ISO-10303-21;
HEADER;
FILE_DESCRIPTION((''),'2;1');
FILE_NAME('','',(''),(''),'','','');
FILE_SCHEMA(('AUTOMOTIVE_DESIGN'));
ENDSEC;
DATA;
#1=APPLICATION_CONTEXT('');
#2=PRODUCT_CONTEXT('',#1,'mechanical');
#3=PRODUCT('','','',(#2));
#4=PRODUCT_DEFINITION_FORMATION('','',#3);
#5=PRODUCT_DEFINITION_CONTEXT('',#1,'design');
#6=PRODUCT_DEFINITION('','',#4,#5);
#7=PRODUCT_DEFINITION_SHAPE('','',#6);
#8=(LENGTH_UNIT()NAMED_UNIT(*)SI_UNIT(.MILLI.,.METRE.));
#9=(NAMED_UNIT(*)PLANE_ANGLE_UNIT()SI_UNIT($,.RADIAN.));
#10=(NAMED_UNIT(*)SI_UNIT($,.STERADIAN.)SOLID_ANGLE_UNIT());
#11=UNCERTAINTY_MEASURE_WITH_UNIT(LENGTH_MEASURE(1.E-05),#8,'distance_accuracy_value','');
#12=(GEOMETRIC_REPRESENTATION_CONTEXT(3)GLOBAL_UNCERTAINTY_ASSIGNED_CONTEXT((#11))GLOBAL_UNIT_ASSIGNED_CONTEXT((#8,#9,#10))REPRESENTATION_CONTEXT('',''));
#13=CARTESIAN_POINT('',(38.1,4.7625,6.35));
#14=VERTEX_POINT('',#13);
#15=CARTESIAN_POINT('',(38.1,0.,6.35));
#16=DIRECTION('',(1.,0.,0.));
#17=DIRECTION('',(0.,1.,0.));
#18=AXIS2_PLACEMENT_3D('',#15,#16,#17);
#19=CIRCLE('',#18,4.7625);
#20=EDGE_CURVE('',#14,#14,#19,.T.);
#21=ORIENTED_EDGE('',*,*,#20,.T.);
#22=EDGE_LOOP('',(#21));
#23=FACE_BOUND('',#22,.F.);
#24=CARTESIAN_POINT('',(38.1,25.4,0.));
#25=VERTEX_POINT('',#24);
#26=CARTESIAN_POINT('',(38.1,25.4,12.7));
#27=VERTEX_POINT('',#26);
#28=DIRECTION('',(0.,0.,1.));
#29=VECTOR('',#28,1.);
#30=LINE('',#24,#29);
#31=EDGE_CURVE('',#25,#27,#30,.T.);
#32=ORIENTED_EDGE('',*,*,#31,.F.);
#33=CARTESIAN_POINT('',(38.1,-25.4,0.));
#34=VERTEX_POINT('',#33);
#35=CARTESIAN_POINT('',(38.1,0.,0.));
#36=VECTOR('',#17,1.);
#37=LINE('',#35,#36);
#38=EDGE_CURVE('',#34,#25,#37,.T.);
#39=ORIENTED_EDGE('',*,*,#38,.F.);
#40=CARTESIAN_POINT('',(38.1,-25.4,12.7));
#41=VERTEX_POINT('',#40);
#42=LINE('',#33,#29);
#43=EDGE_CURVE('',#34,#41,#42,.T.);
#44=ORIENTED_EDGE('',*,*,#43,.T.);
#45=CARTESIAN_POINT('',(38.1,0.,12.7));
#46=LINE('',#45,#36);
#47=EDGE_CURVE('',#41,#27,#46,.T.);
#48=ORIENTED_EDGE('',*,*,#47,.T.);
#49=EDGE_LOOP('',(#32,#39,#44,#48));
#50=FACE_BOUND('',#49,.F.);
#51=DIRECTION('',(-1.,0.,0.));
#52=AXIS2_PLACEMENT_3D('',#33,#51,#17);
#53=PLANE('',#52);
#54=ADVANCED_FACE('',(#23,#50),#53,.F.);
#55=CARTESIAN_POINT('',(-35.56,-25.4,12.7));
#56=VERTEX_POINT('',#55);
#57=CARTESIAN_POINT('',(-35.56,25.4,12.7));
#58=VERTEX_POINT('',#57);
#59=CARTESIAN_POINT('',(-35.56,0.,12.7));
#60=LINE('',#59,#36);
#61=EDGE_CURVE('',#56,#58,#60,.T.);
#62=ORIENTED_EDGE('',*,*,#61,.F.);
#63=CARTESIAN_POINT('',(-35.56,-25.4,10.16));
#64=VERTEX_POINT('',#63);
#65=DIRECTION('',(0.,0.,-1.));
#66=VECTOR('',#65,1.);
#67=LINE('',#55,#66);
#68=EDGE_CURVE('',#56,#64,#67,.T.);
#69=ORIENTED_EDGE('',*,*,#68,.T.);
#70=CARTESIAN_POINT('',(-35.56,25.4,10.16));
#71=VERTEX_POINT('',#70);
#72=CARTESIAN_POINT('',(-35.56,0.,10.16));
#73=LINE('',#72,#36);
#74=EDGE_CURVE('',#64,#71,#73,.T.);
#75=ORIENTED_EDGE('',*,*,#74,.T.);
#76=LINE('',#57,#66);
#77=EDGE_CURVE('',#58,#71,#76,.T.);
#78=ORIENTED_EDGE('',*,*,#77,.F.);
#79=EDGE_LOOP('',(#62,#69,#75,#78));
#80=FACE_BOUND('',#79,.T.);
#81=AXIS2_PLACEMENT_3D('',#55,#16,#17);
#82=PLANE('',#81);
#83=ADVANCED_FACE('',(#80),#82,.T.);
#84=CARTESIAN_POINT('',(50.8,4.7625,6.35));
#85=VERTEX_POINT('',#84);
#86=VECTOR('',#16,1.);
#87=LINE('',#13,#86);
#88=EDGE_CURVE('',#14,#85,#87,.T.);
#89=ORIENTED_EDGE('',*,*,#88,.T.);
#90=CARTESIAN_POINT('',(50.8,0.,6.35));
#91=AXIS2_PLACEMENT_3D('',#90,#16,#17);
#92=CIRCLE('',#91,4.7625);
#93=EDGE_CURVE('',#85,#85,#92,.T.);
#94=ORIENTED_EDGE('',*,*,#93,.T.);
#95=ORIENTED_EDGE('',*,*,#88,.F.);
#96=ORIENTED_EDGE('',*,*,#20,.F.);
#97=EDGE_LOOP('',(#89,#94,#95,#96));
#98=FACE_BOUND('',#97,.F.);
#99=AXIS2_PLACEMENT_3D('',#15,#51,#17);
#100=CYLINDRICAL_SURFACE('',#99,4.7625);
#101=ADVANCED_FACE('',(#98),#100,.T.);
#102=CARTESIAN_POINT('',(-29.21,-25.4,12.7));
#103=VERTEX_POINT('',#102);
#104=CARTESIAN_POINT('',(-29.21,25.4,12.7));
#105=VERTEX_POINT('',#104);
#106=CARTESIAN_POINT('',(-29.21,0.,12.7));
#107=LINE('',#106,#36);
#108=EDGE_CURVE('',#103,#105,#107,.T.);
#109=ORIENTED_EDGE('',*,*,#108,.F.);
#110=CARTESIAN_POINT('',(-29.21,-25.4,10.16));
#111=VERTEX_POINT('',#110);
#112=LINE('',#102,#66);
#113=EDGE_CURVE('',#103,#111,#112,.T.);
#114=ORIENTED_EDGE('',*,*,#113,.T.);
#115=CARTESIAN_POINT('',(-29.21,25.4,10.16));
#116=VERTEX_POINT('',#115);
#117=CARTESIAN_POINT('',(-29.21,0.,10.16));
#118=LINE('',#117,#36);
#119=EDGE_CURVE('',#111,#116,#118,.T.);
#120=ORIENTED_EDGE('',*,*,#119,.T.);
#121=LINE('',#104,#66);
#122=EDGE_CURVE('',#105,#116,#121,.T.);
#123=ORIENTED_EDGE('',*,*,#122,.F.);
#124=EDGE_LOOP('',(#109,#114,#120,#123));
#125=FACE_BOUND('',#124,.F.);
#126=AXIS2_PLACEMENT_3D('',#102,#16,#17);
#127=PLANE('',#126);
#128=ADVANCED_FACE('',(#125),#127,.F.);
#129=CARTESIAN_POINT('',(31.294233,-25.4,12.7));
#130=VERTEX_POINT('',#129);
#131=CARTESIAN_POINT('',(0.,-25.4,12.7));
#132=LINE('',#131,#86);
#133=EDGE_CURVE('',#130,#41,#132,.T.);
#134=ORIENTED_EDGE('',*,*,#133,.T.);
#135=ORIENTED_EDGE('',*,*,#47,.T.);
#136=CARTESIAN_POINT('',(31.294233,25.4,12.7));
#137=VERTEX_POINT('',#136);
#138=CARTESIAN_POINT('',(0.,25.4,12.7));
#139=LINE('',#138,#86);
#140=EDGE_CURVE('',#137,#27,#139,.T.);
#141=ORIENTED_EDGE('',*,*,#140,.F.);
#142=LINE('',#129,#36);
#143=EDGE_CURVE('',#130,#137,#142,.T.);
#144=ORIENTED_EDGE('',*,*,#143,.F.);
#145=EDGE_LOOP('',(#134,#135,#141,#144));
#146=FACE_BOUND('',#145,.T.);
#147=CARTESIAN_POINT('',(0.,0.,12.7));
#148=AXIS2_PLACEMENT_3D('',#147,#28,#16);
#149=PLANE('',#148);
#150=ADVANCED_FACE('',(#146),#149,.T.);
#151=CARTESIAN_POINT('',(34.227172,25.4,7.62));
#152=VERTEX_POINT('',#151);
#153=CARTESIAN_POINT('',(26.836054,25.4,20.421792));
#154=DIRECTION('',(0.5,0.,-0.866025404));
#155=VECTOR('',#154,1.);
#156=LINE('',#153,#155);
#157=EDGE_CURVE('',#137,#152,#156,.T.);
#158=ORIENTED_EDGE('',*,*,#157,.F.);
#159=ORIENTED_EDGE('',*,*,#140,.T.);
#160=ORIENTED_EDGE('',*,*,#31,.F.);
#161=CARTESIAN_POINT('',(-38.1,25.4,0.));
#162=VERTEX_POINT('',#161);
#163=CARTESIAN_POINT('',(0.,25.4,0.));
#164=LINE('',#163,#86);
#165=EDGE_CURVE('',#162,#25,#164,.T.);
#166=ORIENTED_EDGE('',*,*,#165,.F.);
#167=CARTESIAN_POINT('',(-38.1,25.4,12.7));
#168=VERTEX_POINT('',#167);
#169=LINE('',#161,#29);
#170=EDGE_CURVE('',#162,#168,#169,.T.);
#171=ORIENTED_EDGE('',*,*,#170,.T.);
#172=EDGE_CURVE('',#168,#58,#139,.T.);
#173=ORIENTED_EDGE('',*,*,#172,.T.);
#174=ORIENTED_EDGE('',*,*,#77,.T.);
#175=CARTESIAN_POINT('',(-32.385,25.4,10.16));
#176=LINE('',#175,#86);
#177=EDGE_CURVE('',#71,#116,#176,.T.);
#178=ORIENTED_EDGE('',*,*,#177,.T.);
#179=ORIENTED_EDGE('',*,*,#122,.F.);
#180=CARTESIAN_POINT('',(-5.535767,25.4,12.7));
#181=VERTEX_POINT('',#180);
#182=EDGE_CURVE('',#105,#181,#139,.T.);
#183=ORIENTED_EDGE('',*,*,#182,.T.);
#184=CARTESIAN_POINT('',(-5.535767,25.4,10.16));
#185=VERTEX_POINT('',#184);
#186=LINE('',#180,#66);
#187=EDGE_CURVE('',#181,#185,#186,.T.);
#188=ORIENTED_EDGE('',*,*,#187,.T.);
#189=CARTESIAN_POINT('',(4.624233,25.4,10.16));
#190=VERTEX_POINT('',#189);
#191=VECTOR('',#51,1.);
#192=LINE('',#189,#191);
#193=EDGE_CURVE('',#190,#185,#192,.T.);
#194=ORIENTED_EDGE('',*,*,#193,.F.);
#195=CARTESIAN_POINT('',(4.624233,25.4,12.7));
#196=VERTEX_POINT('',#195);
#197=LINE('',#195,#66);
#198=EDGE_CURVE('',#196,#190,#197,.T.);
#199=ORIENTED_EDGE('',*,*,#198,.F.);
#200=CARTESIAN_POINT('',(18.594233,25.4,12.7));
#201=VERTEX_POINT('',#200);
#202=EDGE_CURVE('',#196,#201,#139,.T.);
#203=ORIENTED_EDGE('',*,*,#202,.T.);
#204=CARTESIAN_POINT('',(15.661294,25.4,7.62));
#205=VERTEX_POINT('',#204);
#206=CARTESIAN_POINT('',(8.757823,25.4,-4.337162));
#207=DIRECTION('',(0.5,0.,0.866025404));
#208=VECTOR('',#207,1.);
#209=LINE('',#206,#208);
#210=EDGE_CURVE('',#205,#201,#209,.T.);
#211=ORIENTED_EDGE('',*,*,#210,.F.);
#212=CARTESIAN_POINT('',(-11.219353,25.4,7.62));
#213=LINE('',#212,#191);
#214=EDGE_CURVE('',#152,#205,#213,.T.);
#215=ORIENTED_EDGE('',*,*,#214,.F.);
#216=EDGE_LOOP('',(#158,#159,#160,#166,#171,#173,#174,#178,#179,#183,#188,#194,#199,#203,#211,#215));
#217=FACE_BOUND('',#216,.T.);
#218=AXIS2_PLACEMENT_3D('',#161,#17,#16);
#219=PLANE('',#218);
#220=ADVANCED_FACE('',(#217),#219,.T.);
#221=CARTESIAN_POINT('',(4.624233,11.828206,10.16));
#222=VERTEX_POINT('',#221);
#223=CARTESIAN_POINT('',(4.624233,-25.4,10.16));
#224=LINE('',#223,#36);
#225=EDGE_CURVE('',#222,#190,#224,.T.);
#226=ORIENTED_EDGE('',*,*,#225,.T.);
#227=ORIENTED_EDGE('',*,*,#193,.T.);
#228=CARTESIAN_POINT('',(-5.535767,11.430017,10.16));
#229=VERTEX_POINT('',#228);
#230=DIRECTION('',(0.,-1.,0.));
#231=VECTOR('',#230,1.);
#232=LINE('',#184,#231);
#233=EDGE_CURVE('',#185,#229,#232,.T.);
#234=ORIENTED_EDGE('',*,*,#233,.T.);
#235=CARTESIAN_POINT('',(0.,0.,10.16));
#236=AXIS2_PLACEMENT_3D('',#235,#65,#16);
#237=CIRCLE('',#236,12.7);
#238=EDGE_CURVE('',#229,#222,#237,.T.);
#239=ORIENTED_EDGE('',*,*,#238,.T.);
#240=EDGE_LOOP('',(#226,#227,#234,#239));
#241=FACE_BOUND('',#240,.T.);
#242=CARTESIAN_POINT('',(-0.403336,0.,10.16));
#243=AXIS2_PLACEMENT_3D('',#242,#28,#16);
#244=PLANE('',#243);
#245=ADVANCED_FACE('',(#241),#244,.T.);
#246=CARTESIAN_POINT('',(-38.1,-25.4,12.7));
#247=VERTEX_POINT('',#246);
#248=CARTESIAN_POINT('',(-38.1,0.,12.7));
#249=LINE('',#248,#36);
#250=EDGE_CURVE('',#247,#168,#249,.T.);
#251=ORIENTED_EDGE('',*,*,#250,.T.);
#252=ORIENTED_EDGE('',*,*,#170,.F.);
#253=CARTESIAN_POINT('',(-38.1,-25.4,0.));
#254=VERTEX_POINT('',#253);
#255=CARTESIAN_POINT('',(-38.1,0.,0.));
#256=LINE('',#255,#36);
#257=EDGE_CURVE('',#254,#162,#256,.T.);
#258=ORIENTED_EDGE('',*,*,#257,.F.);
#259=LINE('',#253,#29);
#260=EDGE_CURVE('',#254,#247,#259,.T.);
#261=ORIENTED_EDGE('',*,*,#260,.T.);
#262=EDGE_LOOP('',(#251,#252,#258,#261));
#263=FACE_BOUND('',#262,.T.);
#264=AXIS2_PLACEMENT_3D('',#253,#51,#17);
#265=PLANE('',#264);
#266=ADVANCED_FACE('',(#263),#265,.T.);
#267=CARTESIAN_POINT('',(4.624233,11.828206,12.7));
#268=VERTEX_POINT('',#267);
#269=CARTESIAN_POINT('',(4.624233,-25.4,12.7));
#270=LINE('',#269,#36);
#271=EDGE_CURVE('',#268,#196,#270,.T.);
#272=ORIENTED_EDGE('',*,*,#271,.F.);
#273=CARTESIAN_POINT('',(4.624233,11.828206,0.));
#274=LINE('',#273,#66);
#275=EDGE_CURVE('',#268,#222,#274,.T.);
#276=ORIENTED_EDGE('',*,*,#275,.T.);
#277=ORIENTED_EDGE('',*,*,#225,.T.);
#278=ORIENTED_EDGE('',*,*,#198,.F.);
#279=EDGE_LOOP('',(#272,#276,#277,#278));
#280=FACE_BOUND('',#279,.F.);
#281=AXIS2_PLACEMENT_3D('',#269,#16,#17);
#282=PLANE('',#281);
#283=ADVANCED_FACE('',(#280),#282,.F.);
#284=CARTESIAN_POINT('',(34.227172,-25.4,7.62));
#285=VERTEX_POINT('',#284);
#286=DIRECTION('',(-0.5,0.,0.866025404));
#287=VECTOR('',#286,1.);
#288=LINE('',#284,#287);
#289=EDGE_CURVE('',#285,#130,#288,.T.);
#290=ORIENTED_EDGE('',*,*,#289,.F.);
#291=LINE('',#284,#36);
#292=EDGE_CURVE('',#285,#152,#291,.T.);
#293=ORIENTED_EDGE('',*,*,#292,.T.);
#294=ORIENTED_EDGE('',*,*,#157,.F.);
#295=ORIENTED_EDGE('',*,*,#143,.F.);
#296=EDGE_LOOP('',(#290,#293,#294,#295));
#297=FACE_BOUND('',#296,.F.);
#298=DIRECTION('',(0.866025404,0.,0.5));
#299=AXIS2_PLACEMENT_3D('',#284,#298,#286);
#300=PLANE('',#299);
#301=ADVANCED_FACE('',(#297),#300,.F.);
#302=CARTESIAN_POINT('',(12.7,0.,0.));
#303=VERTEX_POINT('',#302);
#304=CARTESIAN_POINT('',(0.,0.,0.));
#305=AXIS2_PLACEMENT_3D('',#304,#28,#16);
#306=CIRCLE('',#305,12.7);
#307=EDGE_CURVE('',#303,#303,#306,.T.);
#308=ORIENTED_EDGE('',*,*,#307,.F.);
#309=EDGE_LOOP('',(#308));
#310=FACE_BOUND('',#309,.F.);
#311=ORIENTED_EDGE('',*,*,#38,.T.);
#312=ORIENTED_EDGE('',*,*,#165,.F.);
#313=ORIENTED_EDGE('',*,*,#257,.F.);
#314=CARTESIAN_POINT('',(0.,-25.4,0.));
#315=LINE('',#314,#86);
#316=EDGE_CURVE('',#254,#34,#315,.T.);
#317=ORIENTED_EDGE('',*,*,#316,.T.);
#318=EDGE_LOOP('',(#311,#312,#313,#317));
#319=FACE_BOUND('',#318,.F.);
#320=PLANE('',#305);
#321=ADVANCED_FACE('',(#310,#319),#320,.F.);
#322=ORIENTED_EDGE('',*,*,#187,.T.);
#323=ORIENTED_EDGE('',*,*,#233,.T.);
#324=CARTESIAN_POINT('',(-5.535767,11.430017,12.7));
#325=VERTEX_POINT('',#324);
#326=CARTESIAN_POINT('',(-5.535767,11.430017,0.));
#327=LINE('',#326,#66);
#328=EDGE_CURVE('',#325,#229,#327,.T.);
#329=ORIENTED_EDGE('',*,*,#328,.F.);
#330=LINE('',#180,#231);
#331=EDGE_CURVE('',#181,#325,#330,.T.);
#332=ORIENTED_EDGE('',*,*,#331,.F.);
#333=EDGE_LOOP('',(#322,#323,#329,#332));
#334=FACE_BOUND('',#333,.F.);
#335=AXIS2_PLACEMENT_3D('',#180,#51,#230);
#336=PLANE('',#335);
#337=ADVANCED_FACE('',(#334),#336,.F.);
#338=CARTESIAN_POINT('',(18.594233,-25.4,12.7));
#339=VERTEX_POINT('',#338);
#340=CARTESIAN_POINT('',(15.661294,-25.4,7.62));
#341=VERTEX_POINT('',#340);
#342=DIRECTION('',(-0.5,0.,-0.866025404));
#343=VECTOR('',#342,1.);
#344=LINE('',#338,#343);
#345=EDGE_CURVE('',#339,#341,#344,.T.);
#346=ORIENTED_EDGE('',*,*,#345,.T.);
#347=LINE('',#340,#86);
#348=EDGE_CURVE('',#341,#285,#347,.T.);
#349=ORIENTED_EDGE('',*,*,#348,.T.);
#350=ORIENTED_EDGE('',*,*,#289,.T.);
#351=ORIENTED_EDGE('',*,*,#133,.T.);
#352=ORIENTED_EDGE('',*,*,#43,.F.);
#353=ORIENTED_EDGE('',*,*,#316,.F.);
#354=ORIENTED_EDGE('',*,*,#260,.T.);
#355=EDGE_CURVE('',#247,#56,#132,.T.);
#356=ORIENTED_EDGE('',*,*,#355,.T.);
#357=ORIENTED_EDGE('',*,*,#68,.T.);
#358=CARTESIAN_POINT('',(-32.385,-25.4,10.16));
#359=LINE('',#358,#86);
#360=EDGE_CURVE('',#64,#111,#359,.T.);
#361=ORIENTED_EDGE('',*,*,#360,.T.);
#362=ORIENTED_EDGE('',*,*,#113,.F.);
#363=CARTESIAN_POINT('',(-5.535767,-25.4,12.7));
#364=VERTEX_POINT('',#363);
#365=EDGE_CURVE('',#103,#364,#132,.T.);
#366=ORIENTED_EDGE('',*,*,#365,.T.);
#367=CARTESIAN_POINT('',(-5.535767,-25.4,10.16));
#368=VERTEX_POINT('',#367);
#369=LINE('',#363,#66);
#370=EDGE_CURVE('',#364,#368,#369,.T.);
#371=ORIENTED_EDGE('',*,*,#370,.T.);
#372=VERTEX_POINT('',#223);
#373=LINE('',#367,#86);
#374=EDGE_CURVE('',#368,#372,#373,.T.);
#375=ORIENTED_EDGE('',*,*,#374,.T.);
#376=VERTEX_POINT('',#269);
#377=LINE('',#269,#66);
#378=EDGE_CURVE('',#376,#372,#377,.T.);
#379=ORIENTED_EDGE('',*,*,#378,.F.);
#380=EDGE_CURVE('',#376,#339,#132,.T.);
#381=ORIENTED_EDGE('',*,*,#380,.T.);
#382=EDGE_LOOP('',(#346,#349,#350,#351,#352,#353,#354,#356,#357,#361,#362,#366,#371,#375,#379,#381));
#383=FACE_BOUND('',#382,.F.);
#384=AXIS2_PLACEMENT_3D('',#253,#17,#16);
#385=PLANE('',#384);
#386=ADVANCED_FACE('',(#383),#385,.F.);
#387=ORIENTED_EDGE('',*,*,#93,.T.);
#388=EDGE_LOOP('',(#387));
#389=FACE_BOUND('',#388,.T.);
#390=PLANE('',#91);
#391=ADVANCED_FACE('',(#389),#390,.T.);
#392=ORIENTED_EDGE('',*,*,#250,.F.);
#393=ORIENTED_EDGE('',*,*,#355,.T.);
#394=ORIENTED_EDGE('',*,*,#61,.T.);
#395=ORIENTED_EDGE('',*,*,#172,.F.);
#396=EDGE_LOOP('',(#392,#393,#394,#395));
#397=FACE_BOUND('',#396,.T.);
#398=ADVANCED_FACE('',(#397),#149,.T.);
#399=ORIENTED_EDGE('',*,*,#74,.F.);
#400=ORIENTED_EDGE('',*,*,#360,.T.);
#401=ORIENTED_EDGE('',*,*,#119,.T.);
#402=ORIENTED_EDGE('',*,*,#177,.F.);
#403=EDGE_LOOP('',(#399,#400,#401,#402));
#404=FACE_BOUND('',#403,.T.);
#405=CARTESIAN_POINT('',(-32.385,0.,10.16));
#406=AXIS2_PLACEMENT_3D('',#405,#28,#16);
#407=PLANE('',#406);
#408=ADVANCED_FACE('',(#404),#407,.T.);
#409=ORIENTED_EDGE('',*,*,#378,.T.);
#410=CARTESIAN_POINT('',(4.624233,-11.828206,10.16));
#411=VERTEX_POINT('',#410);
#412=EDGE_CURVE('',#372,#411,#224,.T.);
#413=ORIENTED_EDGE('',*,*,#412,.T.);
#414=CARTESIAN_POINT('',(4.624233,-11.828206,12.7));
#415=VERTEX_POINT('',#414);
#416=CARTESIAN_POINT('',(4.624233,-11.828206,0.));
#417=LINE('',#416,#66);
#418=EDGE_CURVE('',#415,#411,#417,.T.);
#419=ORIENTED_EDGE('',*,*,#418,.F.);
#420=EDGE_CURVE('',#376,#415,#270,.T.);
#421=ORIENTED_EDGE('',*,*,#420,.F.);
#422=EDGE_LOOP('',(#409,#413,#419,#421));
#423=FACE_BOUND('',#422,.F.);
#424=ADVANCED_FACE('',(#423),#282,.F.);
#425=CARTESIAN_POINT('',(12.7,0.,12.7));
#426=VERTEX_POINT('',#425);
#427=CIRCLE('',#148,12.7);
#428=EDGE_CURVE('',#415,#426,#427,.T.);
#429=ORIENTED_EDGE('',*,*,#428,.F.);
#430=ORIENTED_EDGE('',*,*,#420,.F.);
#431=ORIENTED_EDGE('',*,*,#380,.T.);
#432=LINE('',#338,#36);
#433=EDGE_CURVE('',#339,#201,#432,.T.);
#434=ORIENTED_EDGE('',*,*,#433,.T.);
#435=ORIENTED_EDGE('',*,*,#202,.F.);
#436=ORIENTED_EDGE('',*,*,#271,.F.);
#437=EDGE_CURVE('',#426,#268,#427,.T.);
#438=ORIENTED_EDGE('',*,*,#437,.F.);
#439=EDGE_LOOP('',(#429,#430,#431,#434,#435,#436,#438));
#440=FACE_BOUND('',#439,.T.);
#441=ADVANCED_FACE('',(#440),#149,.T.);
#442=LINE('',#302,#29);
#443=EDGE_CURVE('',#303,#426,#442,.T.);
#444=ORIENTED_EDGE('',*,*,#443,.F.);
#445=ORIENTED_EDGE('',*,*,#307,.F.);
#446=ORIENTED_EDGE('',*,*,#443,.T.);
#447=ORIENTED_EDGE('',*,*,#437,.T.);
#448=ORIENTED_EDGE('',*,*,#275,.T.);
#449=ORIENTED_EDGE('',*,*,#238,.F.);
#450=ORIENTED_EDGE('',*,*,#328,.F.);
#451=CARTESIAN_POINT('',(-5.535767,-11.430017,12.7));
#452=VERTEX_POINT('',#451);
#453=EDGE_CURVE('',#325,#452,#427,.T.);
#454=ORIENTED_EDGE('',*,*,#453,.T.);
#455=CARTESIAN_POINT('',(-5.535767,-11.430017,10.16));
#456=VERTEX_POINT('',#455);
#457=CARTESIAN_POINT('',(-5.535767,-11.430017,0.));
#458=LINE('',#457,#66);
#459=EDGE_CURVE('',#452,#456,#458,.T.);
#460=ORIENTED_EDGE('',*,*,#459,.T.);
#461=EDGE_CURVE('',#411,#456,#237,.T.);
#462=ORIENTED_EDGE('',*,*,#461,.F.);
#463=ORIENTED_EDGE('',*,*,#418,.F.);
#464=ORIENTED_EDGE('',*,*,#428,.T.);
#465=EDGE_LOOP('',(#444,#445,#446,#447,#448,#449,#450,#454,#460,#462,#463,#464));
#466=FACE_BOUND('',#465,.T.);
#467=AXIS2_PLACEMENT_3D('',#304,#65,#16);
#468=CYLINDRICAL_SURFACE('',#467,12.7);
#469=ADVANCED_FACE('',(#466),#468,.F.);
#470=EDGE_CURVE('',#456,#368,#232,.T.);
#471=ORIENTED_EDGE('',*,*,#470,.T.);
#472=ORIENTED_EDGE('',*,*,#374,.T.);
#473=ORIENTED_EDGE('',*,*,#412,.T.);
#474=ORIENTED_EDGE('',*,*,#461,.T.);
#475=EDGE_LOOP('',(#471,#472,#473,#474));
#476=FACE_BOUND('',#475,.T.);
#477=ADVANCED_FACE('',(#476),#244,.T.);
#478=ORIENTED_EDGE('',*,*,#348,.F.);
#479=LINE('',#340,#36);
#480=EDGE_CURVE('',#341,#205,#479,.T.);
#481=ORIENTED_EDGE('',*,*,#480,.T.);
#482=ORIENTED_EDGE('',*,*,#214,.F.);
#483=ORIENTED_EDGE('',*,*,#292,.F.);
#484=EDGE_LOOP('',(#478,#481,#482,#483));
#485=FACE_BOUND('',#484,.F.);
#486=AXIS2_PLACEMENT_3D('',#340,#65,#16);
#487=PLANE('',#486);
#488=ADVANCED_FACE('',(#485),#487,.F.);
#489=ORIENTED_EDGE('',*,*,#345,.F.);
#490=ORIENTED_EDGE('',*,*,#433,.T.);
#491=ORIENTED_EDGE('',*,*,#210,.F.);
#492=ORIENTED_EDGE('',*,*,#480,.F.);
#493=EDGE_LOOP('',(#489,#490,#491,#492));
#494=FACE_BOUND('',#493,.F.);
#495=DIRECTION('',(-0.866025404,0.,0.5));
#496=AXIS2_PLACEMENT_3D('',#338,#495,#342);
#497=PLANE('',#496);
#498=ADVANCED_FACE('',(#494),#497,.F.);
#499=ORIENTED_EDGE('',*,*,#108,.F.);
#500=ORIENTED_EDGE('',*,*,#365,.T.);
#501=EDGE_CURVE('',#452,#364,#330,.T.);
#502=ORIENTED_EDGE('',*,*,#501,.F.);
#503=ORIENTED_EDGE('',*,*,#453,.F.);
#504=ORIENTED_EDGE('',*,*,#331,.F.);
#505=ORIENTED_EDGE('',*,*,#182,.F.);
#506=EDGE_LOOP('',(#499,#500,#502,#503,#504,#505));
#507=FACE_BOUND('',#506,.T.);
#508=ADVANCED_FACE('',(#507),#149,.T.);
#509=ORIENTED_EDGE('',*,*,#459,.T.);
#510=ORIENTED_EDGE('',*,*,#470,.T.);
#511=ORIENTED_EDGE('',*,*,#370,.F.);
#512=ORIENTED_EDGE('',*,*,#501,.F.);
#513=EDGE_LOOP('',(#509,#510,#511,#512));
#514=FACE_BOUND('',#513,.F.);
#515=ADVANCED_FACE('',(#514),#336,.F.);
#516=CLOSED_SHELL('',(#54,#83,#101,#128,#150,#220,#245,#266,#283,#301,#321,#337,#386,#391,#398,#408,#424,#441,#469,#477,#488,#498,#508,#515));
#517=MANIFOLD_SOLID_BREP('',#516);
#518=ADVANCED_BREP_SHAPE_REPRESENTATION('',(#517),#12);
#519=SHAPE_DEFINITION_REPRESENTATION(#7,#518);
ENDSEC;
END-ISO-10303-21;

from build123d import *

# Parameters (mm, degrees)
F0_W     = 76.2
F0_H     = 50.8
F0_R     = 12.7
F1_DEPTH = 12.7
F2_W     = 6.35
F2_H     = 50.8
F3_DEPTH = 2.54
F5_DEPTH = 50.801
F6_R     = 4.7625
F7_DEPTH = 12.7


with BuildPart() as f1:
    # F0 (on Top) → F1 (new body)
    with BuildSketch(Plane.XY):
        Rectangle(F0_W, F0_H)
        Circle(F0_R, mode=Mode.SUBTRACT)
    extrude(amount=F1_DEPTH)

    # F2 (on face) → F3 (cut)
    with BuildSketch(Plane.XY.offset(12.7)):
        with BuildLine():
            ThreePointArc((4.624233052, 11.8282064862), (-0.4973552707, 12.6902575913), (-5.535766948, 11.4300168109))
            Line((-5.535766948, 11.4300168109), (-5.535766948, -11.4300168109))
            ThreePointArc((-5.535766948, -11.4300168109), (-0.4973552707, -12.6902575913), (4.624233052, -11.8282064862))
            Line((4.624233052, -11.8282064862), (4.624233052, 11.8282064862))
        make_face()
        with Locations((-32.385, 0)):
            Rectangle(F2_W, F2_H)
        with BuildLine():
            Line((-5.535766948, -11.4300168109), (-5.535766948, -25.4))
            Line((-5.535766948, -25.4), (4.624233052, -25.4))
            Line((4.624233052, -25.4), (4.624233052, -11.8282064862))
            ThreePointArc((4.624233052, -11.8282064862), (-0.4973552707, -12.6902575913), (-5.535766948, -11.4300168109))
        make_face()
        with BuildLine():
            Line((4.624233052, 25.4), (-5.535766948, 25.4))
            Line((-5.535766948, 25.4), (-5.535766948, 11.4300168109))
            ThreePointArc((-5.535766948, 11.4300168109), (-0.4973552707, 12.6902575913), (4.624233052, 11.8282064862))
            Line((4.624233052, 11.8282064862), (4.624233052, 25.4))
        make_face()
    extrude(amount=-F3_DEPTH, mode=Mode.SUBTRACT)

    # F4 (on face) → F5 (cut, through all)
    with BuildSketch(Plane.XZ.offset(25.4)):
        Polygon((31.294233052, 12.7), (18.594233052, 12.7), (15.6612936845, 7.62), (34.2271724195, 7.62), align=None)
    extrude(amount=-F5_DEPTH, mode=Mode.SUBTRACT)

    # F6 (on face) → F7 (join)
    with BuildSketch(Plane.YZ.offset(38.1)):
        with Locations((0, 6.35)):
            Circle(F6_R)
    extrude(amount=F7_DEPTH)


solid = f1.part
